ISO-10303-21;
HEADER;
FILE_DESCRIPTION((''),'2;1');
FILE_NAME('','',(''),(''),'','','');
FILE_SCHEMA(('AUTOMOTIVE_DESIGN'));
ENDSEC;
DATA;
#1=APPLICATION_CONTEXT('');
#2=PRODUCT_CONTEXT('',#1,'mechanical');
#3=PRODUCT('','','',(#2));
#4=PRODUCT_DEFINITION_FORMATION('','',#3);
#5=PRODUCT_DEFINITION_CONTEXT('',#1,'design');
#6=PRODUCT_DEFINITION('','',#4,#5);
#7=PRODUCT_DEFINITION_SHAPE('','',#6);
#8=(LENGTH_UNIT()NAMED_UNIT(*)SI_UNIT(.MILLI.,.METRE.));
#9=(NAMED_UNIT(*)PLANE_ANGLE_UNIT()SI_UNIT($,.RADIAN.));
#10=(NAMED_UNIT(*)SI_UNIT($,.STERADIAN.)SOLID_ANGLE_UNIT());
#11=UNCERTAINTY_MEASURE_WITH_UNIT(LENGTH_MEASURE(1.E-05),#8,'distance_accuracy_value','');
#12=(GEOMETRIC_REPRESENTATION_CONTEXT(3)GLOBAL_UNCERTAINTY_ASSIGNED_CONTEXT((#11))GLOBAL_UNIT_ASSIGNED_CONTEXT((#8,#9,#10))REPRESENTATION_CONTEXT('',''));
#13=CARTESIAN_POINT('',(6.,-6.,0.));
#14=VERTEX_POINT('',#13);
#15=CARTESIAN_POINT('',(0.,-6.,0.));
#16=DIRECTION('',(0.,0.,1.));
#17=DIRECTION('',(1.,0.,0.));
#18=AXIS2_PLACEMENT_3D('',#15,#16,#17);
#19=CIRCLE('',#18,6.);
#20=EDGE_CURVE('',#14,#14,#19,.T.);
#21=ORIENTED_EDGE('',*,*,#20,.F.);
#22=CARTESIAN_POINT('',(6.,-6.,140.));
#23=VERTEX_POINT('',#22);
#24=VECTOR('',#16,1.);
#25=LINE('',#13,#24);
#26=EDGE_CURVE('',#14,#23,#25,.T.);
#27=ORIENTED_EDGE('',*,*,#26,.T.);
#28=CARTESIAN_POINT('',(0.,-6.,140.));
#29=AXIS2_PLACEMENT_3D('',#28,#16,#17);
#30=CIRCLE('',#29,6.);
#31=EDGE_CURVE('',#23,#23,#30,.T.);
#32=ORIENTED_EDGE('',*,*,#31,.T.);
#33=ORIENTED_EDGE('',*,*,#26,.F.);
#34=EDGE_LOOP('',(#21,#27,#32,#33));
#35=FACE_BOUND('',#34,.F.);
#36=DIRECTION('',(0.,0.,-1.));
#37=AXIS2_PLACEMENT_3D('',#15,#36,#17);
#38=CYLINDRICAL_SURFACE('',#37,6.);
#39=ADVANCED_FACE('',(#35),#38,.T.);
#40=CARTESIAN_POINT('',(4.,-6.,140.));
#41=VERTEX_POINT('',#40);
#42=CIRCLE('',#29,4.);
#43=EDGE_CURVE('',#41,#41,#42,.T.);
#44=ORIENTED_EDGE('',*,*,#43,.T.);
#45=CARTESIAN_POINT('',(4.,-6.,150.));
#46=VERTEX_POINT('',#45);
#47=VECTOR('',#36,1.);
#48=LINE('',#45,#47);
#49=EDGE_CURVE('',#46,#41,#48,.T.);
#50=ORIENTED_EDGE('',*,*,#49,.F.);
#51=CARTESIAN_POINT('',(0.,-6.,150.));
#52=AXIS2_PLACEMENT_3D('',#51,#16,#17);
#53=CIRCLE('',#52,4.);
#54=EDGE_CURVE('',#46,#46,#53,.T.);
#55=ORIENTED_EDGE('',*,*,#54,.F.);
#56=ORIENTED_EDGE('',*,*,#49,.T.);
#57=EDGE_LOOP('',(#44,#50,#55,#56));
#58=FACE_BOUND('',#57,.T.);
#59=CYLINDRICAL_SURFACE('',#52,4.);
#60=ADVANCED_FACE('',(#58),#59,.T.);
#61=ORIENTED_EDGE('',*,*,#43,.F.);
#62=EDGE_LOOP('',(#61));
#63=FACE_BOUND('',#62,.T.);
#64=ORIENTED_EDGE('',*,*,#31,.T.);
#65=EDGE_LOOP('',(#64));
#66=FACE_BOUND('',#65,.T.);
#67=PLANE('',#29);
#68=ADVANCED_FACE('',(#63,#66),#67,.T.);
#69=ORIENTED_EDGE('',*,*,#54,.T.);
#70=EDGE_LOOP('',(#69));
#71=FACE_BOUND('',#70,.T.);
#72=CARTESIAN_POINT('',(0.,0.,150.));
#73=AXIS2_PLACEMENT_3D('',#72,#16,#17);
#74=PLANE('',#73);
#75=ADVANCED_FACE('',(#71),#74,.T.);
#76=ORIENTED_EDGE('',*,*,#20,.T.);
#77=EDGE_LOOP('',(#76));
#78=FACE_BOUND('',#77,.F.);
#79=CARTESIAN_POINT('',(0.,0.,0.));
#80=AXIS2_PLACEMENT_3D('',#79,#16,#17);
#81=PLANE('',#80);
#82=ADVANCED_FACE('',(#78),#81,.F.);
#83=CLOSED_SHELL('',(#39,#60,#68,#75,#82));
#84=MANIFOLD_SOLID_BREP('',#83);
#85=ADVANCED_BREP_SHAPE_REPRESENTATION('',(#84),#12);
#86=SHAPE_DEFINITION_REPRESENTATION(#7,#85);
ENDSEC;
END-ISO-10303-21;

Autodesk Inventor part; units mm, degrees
ref_plane "YZ Plane" through (0, 0, 0) normal (1, 0, 0) x (0, 1, 0)
ref_plane "XZ Plane" through (0, 0, 0) normal (0, 1, 0) x (-1, 0, 0)
ref_plane "XY Plane" through (0, 0, 0) normal (0, 0, 1) x (1, 0, 0)
sketch "スケッチ1" plane through (0, 0, 0) normal (0, 0, 1) x (1, 0, 0)
  line L0 (0, 0) -> (0, -6) construction
  circle A0 centre (0, -6) radius 6
  dimension "d0" = 12
extrude "押し出し1" add sketch "スケッチ1" along normal blind 150
sketch "スケッチ4" plane through (0, -6, 150) normal (0, 0, 1) x (1, 0, 0)
  circle A0 centre (0, 0) radius 6
  circle A1 centre (0, 0) radius 4
  circle A2 centre (0, 0) radius 6 projected
  point P0 (0, 6)
  dimension "d9" = 8
extrude "押し出し3" cut sketch "スケッチ4" against normal blind 10
properties part number "車軸"
